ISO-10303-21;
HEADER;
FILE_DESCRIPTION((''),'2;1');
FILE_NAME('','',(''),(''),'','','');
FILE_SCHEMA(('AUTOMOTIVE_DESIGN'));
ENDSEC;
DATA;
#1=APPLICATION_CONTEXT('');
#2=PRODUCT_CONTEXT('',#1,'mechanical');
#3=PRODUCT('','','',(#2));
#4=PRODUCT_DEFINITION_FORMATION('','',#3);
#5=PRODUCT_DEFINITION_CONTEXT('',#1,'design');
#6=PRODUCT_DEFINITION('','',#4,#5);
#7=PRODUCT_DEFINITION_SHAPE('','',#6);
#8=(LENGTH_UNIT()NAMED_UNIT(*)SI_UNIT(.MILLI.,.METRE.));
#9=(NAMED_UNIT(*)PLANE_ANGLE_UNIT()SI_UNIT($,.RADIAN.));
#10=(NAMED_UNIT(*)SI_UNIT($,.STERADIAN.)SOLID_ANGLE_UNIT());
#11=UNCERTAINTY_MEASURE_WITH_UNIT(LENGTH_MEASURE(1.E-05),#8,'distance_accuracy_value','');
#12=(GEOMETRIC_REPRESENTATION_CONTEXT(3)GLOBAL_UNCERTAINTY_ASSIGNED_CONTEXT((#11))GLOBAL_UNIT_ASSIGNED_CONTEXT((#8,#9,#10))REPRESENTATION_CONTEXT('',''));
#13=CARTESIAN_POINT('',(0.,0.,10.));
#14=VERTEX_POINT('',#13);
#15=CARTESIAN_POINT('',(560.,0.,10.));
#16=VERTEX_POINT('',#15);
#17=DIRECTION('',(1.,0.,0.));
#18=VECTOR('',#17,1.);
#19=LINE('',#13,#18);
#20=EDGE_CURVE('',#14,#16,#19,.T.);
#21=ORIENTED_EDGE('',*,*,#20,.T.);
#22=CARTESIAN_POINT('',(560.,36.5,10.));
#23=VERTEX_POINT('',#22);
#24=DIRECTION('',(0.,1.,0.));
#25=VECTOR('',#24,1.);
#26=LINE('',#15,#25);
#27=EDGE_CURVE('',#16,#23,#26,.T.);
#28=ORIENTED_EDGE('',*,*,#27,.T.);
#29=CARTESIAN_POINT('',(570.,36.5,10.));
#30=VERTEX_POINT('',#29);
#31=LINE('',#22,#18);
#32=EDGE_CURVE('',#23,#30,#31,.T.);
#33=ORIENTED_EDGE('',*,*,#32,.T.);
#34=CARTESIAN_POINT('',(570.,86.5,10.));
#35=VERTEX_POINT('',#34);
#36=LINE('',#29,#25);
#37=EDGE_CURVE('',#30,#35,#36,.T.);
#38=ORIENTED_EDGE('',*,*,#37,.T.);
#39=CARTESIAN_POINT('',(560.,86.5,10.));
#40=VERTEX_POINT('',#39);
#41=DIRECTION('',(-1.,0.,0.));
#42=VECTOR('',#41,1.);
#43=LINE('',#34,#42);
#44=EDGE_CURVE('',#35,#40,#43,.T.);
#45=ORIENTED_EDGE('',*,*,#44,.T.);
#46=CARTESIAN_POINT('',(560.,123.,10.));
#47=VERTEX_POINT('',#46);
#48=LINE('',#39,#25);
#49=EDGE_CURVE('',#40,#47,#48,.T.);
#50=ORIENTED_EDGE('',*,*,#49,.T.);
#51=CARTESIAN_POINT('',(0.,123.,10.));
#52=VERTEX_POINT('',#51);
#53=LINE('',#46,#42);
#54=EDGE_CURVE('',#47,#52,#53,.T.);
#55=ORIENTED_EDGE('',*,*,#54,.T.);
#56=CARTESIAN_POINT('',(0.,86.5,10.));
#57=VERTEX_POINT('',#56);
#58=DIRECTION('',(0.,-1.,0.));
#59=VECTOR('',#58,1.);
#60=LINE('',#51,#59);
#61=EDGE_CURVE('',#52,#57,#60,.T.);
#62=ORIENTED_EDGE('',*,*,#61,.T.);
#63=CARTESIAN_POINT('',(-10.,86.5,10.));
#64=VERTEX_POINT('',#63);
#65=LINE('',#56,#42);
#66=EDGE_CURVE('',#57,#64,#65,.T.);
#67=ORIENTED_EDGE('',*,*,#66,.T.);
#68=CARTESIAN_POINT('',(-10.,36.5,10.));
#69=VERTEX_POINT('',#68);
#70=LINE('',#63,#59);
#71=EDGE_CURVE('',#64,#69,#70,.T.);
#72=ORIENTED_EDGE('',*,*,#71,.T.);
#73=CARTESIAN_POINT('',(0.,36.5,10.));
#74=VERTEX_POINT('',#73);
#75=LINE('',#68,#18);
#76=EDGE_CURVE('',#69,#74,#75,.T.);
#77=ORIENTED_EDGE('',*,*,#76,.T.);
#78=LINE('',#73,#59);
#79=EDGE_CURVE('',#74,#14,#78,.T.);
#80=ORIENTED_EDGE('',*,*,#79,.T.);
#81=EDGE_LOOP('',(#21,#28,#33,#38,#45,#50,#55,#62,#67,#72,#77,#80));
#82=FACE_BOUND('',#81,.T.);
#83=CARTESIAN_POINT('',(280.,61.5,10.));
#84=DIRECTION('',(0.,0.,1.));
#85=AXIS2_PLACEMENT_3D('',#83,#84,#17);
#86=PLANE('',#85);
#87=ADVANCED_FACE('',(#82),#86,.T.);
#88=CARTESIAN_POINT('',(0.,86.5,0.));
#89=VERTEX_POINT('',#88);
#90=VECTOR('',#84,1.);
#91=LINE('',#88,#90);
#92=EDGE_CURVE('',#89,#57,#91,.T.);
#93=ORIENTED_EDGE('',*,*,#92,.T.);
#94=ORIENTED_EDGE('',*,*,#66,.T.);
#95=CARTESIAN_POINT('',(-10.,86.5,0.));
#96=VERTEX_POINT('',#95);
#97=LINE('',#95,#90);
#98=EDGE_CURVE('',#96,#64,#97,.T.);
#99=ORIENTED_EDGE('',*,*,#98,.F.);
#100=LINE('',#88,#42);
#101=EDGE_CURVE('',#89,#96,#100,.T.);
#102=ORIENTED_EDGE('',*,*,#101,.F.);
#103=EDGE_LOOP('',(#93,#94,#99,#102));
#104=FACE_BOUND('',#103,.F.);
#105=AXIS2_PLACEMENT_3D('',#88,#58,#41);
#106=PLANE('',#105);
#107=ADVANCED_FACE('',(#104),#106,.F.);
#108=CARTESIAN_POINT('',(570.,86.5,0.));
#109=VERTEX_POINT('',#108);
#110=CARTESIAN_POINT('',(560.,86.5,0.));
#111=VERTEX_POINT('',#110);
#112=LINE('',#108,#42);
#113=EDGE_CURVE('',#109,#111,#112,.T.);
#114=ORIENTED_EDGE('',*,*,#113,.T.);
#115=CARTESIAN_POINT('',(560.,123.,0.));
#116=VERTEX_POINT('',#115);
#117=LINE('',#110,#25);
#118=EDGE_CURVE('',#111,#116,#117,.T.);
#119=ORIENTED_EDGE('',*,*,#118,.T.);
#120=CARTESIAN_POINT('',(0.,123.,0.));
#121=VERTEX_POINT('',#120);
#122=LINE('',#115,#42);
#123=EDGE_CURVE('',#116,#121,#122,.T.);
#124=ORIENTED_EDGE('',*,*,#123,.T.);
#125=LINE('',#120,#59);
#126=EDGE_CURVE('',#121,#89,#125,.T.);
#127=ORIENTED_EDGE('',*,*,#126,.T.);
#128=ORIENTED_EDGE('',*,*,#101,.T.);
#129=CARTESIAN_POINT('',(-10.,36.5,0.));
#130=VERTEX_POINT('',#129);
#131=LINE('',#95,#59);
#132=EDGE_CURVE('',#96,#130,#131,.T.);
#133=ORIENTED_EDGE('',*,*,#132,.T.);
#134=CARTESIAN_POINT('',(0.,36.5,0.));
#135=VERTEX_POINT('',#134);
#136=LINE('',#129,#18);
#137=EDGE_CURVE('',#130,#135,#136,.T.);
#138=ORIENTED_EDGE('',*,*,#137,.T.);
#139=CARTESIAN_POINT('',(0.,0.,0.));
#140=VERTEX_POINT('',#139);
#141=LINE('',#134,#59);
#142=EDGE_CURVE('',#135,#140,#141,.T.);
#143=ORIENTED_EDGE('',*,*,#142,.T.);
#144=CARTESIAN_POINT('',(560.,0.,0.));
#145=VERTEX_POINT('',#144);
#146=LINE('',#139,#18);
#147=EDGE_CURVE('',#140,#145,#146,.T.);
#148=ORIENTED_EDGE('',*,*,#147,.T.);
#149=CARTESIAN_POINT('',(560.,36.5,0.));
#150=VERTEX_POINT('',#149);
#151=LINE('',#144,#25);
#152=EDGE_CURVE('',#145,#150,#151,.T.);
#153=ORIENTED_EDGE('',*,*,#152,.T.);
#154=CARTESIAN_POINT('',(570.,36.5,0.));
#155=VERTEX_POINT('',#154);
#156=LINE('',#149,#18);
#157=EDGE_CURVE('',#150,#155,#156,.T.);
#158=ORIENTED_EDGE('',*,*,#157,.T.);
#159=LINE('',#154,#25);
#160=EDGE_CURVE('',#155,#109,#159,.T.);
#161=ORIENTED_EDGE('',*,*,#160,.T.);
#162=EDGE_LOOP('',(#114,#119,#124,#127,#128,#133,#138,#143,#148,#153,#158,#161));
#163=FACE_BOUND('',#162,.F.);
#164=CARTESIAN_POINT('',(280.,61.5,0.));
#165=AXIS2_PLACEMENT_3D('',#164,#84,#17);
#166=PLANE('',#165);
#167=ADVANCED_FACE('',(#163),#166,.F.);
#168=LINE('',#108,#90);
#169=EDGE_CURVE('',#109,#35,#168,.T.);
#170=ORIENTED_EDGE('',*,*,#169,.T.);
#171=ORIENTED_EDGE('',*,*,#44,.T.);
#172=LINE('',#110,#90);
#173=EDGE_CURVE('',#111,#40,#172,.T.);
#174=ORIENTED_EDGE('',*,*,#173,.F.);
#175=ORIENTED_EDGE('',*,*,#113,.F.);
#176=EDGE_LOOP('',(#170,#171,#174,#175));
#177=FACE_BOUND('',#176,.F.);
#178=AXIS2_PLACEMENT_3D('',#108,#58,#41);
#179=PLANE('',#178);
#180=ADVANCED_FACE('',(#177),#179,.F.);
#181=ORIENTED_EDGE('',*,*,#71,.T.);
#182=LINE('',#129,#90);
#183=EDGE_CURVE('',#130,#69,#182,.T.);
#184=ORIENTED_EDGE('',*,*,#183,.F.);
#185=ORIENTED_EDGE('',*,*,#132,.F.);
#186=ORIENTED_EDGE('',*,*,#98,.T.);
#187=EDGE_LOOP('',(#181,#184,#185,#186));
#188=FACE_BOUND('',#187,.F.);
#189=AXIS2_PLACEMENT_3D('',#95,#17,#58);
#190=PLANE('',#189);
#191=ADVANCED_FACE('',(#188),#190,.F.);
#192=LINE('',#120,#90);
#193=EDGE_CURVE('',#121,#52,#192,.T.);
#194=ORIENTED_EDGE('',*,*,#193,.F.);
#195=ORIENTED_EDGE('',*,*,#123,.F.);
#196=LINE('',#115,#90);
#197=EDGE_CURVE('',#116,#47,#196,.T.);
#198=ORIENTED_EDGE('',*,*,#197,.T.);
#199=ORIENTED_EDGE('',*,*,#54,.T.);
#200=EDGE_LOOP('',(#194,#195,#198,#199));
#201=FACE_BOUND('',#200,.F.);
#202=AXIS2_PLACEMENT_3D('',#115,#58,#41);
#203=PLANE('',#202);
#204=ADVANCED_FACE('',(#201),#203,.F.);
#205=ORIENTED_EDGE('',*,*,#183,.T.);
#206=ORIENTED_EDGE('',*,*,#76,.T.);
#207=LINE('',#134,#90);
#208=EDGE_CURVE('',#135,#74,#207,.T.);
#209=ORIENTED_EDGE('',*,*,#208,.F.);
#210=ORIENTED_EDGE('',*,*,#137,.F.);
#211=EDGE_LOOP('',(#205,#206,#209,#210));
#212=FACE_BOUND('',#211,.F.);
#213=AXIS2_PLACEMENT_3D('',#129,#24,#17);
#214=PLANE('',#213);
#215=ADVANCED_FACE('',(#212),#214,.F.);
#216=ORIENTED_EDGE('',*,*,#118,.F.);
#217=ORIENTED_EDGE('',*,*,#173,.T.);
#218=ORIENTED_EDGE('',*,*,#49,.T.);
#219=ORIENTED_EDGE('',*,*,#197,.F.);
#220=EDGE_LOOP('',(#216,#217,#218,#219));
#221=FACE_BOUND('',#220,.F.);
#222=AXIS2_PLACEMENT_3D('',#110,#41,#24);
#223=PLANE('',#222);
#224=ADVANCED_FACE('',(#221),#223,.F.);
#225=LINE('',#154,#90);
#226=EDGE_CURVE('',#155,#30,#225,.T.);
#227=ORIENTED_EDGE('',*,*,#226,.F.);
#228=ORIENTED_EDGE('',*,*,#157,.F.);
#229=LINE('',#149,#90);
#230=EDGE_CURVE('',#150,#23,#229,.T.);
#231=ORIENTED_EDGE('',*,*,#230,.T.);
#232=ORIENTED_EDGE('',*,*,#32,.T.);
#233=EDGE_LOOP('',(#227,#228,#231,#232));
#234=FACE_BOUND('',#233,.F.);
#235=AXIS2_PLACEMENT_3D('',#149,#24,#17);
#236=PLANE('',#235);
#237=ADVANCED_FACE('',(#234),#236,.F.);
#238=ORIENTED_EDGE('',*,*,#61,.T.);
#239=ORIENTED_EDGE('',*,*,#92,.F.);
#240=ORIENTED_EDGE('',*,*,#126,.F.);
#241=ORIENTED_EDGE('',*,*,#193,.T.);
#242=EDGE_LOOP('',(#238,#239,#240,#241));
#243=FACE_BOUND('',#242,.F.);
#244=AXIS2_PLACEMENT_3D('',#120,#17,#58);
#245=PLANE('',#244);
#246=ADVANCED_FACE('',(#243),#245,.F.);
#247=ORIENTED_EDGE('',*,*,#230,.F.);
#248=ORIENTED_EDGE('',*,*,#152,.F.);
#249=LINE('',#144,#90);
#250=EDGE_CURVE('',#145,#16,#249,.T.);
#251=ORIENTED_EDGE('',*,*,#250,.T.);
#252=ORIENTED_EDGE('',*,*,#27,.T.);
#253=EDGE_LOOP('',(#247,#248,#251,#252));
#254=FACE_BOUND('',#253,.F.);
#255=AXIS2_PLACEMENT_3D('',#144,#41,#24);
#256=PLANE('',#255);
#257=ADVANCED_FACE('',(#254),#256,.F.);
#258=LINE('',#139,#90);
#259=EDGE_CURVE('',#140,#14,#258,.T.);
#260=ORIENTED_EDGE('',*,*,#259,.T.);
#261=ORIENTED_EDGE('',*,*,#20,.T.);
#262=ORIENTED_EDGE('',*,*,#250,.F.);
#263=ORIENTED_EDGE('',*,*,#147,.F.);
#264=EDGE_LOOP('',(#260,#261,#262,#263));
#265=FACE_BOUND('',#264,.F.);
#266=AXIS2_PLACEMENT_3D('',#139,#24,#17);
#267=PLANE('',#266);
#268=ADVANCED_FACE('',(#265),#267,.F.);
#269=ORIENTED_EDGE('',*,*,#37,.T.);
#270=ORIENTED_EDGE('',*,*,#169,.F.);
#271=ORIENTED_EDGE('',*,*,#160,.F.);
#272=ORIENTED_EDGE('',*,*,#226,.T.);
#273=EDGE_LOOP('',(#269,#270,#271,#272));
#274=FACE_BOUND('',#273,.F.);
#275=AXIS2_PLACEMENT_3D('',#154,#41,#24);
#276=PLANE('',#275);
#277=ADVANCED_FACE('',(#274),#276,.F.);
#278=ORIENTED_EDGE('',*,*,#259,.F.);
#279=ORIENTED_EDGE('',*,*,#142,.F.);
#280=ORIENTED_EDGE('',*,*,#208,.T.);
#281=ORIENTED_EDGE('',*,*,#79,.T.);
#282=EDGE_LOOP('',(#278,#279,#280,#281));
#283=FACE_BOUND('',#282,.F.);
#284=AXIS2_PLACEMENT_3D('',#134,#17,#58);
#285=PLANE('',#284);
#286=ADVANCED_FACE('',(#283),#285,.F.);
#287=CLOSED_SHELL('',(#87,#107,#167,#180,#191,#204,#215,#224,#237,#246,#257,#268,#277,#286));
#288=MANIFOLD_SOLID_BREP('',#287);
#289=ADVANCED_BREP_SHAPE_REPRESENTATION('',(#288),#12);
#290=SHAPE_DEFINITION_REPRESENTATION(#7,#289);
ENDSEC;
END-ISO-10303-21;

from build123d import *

# Parameters (mm, degrees)
PAD_DEPTH = 10


with BuildPart() as part:
    # Sketch → Pad (new body)
    with BuildSketch(Plane.XY):
        Polygon((0, 0), (560, 0), (560, 36.5), (570, 36.5), (570, 86.5), (560, 86.5), (560, 123), (0, 123), (0, 86.5), (-10, 86.5), (-10, 36.5), (0, 36.5), align=None)
    extrude(amount=PAD_DEPTH)


solid = part.part
